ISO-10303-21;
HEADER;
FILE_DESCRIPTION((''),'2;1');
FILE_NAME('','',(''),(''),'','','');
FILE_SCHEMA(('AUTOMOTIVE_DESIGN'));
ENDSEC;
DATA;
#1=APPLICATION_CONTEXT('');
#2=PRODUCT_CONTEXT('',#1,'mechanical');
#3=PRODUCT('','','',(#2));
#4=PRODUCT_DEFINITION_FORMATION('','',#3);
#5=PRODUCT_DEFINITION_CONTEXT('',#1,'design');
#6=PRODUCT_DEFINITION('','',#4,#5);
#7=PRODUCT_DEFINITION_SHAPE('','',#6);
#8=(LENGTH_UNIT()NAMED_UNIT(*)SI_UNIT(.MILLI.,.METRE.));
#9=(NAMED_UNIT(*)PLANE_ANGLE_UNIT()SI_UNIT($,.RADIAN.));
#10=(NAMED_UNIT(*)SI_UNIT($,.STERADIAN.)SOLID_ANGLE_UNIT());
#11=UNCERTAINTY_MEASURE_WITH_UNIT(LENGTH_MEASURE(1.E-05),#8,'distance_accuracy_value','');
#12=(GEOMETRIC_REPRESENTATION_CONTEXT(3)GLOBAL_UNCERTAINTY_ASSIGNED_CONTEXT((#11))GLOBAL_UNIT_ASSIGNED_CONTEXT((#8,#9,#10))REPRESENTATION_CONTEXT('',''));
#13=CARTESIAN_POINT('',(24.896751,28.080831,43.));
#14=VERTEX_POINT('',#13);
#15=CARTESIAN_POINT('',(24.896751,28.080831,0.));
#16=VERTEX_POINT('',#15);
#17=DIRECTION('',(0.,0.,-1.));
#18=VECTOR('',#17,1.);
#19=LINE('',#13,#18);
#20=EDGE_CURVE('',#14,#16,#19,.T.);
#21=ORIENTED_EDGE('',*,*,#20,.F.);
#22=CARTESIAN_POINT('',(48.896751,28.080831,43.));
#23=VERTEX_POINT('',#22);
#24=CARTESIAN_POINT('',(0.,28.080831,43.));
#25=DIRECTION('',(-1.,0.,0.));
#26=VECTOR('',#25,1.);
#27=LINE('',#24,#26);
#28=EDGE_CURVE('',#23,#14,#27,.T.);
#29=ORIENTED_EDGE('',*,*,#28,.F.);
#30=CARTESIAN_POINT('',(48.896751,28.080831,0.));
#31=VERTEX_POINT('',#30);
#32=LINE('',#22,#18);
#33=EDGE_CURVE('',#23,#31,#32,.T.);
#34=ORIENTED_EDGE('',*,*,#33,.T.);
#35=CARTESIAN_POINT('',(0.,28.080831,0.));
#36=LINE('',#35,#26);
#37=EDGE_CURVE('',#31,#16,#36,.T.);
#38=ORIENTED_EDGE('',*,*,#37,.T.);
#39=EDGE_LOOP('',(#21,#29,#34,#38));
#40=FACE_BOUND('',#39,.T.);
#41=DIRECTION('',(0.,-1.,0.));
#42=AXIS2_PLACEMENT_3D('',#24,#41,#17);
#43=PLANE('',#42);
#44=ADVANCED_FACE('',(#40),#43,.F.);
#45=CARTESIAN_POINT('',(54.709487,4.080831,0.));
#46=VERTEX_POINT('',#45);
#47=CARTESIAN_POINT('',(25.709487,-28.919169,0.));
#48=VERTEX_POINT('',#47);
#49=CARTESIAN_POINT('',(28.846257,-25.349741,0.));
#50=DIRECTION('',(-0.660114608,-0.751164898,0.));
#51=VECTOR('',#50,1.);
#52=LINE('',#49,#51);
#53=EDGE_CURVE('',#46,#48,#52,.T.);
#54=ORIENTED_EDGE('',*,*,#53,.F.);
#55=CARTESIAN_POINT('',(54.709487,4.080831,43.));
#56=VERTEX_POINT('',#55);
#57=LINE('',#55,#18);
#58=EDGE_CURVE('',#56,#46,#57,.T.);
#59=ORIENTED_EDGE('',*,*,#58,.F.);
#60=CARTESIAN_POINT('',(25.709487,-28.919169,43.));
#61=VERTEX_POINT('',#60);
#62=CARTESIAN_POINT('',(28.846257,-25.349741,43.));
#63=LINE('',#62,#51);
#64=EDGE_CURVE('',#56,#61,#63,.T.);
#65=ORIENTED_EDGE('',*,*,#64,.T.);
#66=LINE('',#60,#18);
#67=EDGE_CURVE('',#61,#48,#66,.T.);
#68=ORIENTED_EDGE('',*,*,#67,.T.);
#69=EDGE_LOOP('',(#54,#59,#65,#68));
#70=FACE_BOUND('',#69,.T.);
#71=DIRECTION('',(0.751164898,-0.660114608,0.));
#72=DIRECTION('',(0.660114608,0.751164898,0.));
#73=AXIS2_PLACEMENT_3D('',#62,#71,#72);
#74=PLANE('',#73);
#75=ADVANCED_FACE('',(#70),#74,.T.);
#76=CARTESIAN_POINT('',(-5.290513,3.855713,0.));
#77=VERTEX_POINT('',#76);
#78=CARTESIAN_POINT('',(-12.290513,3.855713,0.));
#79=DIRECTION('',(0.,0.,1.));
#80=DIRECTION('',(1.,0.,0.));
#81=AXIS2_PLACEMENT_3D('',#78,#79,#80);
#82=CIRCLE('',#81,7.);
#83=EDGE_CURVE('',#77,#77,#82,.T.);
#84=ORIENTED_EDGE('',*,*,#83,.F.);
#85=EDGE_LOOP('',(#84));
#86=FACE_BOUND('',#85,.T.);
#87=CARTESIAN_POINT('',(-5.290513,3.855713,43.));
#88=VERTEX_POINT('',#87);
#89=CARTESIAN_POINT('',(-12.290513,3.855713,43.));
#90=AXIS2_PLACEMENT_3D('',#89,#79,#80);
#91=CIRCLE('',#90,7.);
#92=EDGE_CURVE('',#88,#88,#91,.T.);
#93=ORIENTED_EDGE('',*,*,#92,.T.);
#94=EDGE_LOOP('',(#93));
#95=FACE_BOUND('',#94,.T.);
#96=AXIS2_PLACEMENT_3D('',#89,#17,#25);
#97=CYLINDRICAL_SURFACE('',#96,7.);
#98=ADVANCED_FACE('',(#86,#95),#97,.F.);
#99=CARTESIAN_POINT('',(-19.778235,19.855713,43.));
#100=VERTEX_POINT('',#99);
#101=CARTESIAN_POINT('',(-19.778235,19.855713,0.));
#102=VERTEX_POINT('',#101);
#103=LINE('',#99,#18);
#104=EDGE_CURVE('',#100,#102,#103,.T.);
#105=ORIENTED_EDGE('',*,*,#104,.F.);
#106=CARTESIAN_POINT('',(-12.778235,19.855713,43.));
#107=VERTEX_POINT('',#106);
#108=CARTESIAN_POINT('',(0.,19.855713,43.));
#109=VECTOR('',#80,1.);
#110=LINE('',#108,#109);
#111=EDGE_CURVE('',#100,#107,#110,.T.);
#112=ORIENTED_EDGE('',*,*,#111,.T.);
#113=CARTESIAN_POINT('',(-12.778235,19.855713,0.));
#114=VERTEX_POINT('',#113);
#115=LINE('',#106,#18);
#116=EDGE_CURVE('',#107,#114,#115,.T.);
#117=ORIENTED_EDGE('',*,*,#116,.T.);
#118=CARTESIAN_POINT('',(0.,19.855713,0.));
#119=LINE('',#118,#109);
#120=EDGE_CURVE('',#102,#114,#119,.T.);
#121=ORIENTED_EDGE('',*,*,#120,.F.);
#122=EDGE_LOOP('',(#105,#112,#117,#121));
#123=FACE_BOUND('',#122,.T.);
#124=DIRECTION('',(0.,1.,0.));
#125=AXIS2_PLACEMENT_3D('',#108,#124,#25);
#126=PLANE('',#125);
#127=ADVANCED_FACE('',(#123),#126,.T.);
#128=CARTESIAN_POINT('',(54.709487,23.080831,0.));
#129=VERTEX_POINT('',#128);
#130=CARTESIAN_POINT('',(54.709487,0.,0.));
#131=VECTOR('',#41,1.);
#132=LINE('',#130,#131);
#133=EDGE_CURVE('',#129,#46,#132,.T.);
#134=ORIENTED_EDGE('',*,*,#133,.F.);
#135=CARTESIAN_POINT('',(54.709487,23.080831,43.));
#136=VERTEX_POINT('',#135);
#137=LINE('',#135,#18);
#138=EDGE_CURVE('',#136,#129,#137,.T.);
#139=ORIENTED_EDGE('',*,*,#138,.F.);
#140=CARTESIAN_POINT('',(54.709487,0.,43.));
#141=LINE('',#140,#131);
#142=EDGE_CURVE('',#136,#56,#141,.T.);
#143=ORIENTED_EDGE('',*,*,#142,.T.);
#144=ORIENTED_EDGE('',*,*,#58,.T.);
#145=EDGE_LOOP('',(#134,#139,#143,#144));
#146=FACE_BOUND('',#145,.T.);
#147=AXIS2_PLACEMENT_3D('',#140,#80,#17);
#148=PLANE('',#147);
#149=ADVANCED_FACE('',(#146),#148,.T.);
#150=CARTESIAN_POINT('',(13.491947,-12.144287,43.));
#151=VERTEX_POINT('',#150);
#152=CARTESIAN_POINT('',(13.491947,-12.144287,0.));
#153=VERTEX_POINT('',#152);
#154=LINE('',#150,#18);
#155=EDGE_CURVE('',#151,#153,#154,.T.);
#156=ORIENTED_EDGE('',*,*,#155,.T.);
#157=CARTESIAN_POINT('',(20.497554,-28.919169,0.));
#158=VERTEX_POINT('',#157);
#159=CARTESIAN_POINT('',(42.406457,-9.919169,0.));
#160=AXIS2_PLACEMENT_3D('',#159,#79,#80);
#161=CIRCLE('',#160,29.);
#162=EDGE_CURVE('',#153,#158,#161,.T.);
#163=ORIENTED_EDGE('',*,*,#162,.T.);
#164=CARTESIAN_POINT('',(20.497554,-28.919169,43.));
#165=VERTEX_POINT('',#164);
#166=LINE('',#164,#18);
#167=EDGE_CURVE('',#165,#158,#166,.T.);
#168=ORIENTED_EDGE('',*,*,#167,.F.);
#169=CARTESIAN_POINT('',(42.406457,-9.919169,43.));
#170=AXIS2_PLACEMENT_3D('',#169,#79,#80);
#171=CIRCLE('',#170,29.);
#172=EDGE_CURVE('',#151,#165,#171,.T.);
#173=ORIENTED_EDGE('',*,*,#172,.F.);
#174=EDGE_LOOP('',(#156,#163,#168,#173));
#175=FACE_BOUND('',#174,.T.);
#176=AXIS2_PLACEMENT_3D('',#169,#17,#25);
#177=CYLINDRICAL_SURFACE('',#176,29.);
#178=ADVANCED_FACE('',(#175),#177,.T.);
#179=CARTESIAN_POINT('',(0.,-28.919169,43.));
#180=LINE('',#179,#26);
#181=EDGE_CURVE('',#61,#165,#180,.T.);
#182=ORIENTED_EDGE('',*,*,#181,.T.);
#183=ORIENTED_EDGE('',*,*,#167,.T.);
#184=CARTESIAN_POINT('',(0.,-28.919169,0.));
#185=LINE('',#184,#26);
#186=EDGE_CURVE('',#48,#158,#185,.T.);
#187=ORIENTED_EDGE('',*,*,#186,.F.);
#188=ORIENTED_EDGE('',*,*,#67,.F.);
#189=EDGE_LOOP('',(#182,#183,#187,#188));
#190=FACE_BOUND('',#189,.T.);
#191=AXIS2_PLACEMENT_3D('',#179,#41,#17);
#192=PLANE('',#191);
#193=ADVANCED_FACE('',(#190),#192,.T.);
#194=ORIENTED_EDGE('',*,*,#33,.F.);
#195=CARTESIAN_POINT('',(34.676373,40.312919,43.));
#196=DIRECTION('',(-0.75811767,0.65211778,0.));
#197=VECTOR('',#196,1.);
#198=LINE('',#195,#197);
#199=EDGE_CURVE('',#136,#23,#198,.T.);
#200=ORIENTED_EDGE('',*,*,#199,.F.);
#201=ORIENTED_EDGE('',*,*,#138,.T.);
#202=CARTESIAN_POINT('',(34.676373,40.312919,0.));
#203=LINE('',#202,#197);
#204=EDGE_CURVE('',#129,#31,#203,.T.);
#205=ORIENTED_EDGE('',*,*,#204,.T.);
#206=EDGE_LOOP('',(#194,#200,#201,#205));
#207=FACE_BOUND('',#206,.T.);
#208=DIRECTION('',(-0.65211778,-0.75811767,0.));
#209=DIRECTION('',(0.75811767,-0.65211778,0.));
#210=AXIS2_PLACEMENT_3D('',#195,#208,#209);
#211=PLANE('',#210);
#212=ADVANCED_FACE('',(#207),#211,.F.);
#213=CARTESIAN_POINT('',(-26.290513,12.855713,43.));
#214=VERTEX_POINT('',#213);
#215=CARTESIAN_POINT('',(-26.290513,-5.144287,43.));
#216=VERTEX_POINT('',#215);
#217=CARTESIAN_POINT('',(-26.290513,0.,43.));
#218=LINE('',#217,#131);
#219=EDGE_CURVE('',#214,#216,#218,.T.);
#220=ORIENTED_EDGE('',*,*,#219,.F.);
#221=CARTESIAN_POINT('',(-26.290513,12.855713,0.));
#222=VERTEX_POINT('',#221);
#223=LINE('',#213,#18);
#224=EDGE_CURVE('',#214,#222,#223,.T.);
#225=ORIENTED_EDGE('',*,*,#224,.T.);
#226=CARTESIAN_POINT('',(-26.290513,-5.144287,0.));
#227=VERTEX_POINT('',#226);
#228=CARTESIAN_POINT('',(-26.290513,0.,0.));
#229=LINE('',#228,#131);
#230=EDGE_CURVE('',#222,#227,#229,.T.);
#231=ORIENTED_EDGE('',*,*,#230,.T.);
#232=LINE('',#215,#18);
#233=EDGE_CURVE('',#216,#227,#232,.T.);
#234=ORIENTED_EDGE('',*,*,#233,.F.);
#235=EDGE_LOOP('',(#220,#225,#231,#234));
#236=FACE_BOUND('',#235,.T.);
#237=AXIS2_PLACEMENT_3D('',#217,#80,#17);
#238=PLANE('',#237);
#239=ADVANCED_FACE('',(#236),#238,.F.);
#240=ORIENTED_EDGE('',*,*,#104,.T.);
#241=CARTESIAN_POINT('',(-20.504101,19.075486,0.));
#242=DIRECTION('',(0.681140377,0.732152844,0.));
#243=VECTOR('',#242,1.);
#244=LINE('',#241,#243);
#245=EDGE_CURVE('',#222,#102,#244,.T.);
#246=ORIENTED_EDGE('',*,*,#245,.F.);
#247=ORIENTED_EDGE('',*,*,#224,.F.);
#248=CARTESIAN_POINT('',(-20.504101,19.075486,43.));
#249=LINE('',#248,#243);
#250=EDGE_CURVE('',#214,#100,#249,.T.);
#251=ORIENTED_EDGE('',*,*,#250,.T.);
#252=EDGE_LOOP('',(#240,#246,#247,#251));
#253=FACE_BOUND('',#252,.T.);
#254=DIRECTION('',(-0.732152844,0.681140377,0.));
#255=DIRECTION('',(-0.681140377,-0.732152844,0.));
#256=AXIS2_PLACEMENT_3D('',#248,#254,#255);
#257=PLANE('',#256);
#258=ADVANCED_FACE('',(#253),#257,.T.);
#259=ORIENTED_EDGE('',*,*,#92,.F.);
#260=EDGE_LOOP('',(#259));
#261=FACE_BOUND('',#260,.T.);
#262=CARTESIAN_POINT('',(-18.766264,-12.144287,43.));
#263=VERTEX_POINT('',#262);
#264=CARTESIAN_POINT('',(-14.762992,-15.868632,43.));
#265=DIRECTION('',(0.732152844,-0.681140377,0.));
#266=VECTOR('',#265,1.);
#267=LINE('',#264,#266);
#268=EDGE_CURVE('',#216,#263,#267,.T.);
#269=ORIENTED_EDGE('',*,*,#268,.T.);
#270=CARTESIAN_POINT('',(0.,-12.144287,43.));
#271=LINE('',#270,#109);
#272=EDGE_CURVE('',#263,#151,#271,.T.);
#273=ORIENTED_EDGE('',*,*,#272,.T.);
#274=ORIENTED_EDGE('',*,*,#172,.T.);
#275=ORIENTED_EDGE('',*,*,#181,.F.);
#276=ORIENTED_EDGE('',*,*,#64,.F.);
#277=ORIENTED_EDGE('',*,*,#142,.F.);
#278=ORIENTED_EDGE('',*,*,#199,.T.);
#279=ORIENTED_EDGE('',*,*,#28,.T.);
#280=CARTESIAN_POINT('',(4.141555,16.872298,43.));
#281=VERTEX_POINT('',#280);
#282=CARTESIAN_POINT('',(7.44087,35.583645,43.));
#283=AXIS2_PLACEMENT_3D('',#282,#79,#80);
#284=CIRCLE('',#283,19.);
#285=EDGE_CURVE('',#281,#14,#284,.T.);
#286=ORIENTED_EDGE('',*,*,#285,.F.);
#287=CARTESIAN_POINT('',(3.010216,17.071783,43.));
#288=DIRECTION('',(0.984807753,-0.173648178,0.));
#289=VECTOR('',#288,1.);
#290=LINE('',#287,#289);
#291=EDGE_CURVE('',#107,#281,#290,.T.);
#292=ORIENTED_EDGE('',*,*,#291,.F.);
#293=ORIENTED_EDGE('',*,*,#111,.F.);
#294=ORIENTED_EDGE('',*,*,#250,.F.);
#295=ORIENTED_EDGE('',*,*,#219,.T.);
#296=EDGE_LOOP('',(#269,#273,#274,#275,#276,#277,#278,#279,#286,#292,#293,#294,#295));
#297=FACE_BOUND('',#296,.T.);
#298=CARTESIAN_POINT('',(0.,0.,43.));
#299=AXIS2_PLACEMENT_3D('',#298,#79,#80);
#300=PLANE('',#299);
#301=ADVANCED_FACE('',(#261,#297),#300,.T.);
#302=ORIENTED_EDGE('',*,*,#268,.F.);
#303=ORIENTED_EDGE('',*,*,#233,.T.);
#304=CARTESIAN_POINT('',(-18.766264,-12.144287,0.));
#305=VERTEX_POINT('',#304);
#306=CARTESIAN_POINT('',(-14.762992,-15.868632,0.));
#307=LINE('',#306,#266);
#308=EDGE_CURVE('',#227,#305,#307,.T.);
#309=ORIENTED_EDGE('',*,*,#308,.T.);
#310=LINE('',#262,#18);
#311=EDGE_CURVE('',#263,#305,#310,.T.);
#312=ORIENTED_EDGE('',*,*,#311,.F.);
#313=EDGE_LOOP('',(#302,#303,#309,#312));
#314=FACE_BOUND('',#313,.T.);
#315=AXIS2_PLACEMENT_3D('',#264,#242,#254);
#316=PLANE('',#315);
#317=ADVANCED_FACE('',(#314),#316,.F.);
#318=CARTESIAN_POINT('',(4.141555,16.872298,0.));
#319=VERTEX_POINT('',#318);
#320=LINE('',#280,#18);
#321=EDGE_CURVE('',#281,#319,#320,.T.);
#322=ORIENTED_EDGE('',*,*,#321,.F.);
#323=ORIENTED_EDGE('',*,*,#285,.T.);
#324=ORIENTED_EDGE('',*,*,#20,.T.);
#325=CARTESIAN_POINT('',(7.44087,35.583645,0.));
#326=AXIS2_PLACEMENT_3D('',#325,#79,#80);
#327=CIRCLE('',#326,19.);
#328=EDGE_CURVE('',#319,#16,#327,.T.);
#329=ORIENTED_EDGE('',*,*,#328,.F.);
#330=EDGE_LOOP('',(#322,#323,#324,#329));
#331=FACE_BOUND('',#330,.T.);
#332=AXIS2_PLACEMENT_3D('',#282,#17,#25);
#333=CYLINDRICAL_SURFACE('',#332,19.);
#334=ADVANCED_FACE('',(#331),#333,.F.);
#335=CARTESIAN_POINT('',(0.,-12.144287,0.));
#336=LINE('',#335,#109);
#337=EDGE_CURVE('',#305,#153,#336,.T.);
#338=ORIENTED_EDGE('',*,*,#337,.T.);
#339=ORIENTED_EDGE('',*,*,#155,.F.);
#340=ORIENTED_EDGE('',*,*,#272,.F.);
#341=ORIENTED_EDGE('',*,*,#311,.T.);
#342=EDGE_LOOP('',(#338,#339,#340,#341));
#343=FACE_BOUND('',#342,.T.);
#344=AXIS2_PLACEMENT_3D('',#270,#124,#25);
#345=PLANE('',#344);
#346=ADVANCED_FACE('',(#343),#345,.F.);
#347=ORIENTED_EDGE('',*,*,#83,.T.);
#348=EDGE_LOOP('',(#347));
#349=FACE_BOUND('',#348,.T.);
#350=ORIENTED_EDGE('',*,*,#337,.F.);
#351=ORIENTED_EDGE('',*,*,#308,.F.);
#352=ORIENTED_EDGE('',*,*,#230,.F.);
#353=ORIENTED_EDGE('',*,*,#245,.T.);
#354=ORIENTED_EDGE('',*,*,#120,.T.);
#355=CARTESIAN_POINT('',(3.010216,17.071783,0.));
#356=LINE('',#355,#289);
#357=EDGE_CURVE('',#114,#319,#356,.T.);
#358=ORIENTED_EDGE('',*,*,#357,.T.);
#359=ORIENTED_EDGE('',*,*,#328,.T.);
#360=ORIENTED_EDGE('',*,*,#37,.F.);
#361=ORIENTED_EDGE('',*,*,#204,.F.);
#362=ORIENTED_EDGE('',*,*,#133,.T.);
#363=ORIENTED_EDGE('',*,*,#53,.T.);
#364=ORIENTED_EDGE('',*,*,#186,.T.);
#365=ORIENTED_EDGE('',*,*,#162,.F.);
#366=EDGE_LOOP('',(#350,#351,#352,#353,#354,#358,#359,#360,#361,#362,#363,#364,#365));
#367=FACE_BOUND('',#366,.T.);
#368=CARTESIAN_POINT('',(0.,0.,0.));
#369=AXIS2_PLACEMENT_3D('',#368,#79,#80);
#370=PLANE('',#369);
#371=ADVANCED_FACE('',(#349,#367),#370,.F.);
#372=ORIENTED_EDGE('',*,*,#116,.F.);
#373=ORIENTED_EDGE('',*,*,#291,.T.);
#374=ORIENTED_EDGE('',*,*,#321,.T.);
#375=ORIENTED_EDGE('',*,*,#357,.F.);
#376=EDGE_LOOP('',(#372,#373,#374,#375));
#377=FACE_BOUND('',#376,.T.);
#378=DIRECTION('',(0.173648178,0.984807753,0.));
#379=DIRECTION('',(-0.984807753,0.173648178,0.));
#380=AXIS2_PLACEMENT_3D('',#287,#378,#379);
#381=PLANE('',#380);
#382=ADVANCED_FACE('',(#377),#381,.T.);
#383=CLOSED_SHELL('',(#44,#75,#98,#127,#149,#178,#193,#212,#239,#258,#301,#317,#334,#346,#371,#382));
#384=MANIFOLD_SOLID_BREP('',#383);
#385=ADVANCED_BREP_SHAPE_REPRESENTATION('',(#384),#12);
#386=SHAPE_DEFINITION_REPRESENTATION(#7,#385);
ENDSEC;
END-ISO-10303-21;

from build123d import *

# Parameters (mm, degrees)
SKETCH3_R           = 7
BOSS_EXTRUDE1_DEPTH = 43


with BuildPart() as part:
    # Sketch3 → Boss-Extrude1 (new body)
    with BuildSketch(Plane.XY):
        with BuildLine():
            Line((-18.766263872, -12.144286576), (13.491947319, -12.144286576))
            ThreePointArc((13.491947319, -12.144286576), (15.646337823, -21.094858365), (20.497554358, -28.919168681))
            Line((20.497554358, -28.919168681), (25.709486961, -28.919168681))
            Line((25.709486961, -28.919168681), (54.709486961, 4.080831319))
            Line((54.709486961, 4.080831319), (54.709486961, 23.080831319))
            Line((54.709486961, 23.080831319), (48.896751189, 28.080831319))
            Line((48.896751189, 28.080831319), (24.896751189, 28.080831319))
            ThreePointArc((24.896751189, 28.080831319), (16.469153092, 18.865687614), (4.141554757, 16.872297921))
            Line((4.141554757, 16.872297921), (-12.778235346, 19.855713424))
            Line((-12.778235346, 19.855713424), (-19.778235346, 19.855713424))
            Line((-19.778235346, 19.855713424), (-26.290513039, 12.855713424))
            Line((-26.290513039, 12.855713424), (-26.290513039, -5.144286576))
            Line((-26.290513039, -5.144286576), (-18.766263872, -12.144286576))
        make_face()
        with Locations((-12.290513039, 3.855713424)):
            Circle(SKETCH3_R, mode=Mode.SUBTRACT)
    extrude(amount=BOSS_EXTRUDE1_DEPTH)


solid = part.part
